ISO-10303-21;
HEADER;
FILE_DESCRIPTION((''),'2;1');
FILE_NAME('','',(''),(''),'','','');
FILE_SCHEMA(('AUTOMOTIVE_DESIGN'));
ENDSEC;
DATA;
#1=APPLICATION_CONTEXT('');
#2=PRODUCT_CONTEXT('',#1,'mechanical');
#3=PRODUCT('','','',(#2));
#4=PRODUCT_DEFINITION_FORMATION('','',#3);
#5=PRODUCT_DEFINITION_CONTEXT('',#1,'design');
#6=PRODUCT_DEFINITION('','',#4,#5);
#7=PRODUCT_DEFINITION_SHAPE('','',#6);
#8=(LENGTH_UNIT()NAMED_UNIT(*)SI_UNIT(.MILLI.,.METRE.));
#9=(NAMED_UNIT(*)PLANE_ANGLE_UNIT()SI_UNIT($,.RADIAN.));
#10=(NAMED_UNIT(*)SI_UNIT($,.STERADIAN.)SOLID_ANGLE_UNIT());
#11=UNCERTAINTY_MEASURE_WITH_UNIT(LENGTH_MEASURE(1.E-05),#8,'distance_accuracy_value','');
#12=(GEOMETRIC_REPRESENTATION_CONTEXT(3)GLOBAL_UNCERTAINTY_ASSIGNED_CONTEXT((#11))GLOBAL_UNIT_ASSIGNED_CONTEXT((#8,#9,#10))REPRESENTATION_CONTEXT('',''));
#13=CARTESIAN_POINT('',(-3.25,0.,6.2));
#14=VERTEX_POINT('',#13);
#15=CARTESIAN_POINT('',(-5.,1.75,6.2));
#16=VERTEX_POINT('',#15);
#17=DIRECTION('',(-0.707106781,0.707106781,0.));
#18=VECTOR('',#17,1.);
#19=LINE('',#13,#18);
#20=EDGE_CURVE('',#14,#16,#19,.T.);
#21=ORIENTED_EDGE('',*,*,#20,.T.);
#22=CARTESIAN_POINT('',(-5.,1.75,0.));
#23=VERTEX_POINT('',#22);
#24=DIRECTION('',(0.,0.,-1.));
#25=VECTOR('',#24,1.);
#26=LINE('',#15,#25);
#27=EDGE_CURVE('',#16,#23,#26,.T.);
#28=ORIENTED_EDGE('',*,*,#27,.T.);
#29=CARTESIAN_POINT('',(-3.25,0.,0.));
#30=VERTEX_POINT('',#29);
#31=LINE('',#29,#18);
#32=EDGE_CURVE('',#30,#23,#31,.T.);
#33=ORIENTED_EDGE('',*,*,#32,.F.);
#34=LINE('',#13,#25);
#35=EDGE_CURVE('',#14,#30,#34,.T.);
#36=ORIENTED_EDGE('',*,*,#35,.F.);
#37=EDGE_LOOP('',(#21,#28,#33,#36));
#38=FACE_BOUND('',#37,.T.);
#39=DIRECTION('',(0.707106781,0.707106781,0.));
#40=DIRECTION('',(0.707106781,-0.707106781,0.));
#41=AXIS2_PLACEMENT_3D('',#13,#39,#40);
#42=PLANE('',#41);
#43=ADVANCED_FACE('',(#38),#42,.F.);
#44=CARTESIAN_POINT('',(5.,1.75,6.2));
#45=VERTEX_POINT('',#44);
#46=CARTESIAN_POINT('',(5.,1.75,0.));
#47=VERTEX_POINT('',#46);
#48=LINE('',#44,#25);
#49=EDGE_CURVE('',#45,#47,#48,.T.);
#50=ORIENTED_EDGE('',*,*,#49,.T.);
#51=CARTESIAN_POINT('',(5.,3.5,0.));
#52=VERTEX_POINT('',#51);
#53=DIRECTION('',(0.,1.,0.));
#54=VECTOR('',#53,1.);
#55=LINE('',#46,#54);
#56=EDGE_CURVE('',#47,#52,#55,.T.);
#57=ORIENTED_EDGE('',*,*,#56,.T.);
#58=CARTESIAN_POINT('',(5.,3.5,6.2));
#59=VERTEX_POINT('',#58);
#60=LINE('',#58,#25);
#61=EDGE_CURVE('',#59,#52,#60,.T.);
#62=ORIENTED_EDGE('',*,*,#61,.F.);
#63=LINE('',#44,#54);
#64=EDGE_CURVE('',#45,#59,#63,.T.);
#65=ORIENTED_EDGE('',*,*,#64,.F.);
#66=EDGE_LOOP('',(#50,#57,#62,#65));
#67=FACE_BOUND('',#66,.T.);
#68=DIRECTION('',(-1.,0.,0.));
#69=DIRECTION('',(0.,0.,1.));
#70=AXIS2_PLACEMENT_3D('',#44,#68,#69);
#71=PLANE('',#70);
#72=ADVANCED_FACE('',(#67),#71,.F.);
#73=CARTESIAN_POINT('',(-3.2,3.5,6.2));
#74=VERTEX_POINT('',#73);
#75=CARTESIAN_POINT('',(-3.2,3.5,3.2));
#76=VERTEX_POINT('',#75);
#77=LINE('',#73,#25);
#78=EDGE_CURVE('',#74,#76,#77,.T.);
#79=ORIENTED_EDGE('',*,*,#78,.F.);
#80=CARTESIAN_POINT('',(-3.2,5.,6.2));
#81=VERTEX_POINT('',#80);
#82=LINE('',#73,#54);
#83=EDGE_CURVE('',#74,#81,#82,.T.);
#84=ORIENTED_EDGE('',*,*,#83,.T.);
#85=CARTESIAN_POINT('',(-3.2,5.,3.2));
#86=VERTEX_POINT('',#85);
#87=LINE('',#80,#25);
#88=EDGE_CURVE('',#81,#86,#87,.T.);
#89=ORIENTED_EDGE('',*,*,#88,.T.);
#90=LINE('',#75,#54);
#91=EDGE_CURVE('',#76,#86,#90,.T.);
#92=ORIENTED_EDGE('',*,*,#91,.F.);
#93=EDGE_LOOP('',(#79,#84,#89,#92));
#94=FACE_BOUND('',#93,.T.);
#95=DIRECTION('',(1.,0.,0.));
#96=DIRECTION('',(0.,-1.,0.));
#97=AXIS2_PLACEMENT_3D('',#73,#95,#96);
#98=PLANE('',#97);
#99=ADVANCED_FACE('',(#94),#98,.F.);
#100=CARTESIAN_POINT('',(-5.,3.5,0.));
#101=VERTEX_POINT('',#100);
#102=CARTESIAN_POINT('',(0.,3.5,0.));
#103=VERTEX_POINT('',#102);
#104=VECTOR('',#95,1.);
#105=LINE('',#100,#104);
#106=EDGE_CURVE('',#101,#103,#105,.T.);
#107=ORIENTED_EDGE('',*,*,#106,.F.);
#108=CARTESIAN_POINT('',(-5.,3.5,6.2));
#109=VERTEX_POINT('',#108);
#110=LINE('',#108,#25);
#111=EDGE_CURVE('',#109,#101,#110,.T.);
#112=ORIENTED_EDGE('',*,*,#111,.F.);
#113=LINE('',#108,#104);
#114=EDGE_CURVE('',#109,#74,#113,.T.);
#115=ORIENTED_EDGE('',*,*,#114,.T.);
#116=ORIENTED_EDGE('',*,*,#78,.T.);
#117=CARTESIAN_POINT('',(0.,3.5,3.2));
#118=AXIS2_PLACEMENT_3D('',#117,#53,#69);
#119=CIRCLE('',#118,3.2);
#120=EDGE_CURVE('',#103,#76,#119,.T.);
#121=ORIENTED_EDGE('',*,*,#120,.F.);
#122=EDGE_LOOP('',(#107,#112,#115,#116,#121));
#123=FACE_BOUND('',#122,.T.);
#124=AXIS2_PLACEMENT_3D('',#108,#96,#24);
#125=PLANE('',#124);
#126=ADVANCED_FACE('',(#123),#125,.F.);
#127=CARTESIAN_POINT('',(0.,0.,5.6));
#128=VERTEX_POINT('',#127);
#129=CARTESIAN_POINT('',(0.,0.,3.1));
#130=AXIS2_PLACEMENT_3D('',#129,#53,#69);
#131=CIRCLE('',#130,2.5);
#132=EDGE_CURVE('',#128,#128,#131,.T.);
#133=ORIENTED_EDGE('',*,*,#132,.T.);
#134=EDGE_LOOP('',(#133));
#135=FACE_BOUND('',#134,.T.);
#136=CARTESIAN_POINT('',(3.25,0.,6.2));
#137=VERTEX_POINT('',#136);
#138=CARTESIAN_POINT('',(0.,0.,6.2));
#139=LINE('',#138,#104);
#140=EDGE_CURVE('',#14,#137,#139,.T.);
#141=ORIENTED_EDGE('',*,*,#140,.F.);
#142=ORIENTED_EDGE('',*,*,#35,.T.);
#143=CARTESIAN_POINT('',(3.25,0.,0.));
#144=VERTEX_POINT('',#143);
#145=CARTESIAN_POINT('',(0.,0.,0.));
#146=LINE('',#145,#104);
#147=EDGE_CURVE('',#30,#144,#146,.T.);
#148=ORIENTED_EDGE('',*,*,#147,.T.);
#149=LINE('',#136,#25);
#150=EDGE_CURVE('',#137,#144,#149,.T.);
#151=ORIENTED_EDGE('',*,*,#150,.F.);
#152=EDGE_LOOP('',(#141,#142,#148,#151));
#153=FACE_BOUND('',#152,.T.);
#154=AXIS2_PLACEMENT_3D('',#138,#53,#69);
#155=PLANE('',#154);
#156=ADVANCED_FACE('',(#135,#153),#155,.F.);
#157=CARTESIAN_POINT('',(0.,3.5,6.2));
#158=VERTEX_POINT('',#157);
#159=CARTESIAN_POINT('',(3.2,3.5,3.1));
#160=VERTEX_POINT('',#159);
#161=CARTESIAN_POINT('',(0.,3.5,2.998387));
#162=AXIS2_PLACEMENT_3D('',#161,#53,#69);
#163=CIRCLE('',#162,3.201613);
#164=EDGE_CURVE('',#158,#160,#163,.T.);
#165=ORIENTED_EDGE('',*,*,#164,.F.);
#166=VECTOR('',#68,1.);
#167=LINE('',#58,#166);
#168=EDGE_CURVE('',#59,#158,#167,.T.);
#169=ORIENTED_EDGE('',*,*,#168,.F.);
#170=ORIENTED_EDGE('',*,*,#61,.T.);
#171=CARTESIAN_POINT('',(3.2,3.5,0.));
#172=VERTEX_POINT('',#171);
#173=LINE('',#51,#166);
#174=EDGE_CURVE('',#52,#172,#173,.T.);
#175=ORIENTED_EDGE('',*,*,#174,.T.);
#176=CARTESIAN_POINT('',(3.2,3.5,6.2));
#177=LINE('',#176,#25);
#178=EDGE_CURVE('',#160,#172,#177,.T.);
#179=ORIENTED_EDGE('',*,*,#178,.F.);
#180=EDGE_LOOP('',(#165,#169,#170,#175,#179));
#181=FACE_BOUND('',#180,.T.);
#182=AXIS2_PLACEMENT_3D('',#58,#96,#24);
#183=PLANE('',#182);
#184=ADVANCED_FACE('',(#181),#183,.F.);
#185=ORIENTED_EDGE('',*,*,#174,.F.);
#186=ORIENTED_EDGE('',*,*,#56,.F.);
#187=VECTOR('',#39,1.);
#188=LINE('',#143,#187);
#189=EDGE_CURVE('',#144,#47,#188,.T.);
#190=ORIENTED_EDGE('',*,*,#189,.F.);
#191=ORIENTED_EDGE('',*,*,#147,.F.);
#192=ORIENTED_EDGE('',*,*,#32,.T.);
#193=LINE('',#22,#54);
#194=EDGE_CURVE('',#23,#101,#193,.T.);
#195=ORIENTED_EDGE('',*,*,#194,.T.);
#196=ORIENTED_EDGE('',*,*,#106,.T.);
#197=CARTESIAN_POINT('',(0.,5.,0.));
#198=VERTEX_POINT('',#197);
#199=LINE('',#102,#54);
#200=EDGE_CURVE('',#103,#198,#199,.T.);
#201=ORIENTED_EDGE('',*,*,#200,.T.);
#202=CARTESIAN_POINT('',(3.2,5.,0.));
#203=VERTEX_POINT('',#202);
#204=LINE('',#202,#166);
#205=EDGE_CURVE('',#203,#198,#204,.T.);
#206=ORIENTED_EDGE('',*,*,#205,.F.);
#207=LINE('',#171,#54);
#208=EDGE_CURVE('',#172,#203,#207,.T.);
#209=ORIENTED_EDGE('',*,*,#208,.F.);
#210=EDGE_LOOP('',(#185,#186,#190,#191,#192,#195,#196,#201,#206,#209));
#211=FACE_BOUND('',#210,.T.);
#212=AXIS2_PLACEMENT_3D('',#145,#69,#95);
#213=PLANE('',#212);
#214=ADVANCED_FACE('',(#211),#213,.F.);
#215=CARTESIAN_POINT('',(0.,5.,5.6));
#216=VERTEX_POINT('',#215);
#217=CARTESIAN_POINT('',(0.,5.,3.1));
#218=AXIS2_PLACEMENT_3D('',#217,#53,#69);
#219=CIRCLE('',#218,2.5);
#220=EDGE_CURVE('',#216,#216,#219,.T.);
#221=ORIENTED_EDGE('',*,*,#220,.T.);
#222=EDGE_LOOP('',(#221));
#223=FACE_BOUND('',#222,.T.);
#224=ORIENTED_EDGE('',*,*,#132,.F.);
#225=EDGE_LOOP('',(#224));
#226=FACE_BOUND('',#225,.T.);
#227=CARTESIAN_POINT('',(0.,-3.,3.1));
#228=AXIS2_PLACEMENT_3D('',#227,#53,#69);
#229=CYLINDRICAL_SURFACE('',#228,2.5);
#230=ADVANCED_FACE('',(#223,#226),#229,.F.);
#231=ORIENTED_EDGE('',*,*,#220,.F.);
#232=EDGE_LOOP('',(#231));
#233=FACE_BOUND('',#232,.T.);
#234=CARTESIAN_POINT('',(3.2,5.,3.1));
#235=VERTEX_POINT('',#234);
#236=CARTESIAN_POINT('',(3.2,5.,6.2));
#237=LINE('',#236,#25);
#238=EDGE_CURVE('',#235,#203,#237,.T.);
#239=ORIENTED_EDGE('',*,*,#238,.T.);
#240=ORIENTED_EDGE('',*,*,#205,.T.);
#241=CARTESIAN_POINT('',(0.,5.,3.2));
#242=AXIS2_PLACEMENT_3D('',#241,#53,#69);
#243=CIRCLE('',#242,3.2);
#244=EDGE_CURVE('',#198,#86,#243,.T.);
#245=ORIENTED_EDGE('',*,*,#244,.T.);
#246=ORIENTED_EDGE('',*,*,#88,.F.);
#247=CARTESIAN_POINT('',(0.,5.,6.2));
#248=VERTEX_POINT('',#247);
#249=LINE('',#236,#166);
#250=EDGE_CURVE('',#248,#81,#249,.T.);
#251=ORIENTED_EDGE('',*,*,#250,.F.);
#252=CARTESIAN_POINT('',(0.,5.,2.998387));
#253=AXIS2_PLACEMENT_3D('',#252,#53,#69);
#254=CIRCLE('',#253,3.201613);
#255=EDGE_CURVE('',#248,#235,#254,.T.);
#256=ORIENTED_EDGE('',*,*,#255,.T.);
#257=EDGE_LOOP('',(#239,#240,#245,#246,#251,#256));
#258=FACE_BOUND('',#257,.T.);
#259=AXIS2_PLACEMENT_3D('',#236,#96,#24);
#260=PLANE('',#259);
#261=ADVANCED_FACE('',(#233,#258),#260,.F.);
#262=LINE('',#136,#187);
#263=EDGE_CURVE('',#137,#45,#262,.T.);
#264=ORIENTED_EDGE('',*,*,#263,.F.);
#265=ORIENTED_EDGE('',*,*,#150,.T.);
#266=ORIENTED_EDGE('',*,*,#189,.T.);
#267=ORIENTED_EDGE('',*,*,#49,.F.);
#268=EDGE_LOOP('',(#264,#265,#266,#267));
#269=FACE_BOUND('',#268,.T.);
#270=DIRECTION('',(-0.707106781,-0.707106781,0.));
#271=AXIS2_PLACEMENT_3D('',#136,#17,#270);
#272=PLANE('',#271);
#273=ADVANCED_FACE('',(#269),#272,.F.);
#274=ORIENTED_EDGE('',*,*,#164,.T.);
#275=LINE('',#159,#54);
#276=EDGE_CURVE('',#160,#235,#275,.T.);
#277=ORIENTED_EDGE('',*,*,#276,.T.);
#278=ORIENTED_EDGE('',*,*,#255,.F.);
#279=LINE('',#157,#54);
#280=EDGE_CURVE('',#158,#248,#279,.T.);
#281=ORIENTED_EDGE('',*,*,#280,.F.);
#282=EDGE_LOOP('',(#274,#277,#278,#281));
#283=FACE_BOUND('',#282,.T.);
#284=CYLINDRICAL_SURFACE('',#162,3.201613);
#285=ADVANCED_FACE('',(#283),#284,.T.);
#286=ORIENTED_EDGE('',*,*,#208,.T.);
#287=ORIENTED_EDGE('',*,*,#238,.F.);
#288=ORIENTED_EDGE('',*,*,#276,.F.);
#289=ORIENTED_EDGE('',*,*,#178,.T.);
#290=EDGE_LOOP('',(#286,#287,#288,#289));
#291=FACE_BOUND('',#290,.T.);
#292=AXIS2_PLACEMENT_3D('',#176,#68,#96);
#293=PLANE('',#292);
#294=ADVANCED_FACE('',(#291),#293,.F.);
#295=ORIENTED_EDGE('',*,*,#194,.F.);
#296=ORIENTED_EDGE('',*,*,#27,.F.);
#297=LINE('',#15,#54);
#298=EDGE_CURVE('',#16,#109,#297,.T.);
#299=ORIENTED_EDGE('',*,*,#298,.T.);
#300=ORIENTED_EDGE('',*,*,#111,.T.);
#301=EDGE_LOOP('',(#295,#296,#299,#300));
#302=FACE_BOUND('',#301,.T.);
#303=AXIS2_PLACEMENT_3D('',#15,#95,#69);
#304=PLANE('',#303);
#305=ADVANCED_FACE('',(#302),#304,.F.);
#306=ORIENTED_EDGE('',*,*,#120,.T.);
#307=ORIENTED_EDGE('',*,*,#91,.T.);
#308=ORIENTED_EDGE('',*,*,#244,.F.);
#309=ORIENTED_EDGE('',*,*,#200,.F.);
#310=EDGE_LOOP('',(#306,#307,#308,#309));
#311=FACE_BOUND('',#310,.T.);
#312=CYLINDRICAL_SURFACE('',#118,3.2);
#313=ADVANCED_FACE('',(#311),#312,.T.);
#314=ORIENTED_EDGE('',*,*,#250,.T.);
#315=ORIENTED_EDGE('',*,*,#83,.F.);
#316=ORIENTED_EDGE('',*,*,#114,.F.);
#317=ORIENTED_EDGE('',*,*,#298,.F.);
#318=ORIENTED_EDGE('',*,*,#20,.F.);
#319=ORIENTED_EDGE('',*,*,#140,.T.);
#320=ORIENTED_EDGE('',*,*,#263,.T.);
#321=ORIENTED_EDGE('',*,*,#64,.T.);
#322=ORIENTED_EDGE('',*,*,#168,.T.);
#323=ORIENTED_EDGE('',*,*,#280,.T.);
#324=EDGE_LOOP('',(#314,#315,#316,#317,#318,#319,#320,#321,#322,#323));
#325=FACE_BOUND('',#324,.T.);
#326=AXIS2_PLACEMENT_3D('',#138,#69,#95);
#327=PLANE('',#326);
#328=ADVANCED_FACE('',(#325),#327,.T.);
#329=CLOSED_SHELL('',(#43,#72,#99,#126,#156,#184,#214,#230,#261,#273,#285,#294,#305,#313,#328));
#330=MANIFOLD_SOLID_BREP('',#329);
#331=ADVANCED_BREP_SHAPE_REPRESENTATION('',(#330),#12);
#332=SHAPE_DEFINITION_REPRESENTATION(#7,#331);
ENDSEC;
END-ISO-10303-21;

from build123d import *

# Parameters (mm, degrees)
BOSS_EXTRUDE1_DEPTH = 6.2
SKETCH2_R           = 2.5
CUT_EXTRUDE1_DEPTH  = 8
CUT_EXTRUDE2_DEPTH  = 1.5


with BuildPart() as part:
    # Sketch1 → Boss-Extrude1 (new body)
    with BuildSketch(Plane.XY):
        Polygon((0, 5), (0, 0), (3.25, 0), (5, 1.75), (5, 3.5), (3.2, 3.5), (3.2, 5), align=None)
    extrude(amount=BOSS_EXTRUDE1_DEPTH)

    # Mirror1: part across plane


with BuildPart() as part_1:
    add(part.part)
    add(part.part.mirror(Plane(origin=(0, 0, 0), x_dir=(0, 0, 1), z_dir=(1, 0, 0))))

    # Sketch2 → Cut-Extrude1 (cut)
    with BuildSketch(Plane(origin=(0, 5, 0), x_dir=(1, 0, 0), z_dir=(0, 1, 0))):
        with Locations((0, -3.1)):
            Circle(SKETCH2_R)
    extrude(amount=-CUT_EXTRUDE1_DEPTH, mode=Mode.SUBTRACT)

    # Sketch3 → Cut-Extrude2 (cut)
    with BuildSketch(Plane(origin=(0, 5, 0), x_dir=(1, 0, 0), z_dir=(0, 1, 0))):
        with BuildLine():
            ThreePointArc((3.2, -3.1), (2.227666941, -5.297914262), (0, -6.2))
            Line((0, -6.2), (3.2, -6.2))
            Line((3.2, -6.2), (3.2, -3.1))
        make_face()
        with BuildLine():
            Line((-3.2, 0), (-3.2, -3.2))
            ThreePointArc((-3.2, -3.2), (-2.2627417, -0.9372583), (0, 0))
            Line((0, 0), (-3.2, 0))
        make_face()
    extrude(amount=-CUT_EXTRUDE2_DEPTH, mode=Mode.SUBTRACT)


solid = part_1.part
